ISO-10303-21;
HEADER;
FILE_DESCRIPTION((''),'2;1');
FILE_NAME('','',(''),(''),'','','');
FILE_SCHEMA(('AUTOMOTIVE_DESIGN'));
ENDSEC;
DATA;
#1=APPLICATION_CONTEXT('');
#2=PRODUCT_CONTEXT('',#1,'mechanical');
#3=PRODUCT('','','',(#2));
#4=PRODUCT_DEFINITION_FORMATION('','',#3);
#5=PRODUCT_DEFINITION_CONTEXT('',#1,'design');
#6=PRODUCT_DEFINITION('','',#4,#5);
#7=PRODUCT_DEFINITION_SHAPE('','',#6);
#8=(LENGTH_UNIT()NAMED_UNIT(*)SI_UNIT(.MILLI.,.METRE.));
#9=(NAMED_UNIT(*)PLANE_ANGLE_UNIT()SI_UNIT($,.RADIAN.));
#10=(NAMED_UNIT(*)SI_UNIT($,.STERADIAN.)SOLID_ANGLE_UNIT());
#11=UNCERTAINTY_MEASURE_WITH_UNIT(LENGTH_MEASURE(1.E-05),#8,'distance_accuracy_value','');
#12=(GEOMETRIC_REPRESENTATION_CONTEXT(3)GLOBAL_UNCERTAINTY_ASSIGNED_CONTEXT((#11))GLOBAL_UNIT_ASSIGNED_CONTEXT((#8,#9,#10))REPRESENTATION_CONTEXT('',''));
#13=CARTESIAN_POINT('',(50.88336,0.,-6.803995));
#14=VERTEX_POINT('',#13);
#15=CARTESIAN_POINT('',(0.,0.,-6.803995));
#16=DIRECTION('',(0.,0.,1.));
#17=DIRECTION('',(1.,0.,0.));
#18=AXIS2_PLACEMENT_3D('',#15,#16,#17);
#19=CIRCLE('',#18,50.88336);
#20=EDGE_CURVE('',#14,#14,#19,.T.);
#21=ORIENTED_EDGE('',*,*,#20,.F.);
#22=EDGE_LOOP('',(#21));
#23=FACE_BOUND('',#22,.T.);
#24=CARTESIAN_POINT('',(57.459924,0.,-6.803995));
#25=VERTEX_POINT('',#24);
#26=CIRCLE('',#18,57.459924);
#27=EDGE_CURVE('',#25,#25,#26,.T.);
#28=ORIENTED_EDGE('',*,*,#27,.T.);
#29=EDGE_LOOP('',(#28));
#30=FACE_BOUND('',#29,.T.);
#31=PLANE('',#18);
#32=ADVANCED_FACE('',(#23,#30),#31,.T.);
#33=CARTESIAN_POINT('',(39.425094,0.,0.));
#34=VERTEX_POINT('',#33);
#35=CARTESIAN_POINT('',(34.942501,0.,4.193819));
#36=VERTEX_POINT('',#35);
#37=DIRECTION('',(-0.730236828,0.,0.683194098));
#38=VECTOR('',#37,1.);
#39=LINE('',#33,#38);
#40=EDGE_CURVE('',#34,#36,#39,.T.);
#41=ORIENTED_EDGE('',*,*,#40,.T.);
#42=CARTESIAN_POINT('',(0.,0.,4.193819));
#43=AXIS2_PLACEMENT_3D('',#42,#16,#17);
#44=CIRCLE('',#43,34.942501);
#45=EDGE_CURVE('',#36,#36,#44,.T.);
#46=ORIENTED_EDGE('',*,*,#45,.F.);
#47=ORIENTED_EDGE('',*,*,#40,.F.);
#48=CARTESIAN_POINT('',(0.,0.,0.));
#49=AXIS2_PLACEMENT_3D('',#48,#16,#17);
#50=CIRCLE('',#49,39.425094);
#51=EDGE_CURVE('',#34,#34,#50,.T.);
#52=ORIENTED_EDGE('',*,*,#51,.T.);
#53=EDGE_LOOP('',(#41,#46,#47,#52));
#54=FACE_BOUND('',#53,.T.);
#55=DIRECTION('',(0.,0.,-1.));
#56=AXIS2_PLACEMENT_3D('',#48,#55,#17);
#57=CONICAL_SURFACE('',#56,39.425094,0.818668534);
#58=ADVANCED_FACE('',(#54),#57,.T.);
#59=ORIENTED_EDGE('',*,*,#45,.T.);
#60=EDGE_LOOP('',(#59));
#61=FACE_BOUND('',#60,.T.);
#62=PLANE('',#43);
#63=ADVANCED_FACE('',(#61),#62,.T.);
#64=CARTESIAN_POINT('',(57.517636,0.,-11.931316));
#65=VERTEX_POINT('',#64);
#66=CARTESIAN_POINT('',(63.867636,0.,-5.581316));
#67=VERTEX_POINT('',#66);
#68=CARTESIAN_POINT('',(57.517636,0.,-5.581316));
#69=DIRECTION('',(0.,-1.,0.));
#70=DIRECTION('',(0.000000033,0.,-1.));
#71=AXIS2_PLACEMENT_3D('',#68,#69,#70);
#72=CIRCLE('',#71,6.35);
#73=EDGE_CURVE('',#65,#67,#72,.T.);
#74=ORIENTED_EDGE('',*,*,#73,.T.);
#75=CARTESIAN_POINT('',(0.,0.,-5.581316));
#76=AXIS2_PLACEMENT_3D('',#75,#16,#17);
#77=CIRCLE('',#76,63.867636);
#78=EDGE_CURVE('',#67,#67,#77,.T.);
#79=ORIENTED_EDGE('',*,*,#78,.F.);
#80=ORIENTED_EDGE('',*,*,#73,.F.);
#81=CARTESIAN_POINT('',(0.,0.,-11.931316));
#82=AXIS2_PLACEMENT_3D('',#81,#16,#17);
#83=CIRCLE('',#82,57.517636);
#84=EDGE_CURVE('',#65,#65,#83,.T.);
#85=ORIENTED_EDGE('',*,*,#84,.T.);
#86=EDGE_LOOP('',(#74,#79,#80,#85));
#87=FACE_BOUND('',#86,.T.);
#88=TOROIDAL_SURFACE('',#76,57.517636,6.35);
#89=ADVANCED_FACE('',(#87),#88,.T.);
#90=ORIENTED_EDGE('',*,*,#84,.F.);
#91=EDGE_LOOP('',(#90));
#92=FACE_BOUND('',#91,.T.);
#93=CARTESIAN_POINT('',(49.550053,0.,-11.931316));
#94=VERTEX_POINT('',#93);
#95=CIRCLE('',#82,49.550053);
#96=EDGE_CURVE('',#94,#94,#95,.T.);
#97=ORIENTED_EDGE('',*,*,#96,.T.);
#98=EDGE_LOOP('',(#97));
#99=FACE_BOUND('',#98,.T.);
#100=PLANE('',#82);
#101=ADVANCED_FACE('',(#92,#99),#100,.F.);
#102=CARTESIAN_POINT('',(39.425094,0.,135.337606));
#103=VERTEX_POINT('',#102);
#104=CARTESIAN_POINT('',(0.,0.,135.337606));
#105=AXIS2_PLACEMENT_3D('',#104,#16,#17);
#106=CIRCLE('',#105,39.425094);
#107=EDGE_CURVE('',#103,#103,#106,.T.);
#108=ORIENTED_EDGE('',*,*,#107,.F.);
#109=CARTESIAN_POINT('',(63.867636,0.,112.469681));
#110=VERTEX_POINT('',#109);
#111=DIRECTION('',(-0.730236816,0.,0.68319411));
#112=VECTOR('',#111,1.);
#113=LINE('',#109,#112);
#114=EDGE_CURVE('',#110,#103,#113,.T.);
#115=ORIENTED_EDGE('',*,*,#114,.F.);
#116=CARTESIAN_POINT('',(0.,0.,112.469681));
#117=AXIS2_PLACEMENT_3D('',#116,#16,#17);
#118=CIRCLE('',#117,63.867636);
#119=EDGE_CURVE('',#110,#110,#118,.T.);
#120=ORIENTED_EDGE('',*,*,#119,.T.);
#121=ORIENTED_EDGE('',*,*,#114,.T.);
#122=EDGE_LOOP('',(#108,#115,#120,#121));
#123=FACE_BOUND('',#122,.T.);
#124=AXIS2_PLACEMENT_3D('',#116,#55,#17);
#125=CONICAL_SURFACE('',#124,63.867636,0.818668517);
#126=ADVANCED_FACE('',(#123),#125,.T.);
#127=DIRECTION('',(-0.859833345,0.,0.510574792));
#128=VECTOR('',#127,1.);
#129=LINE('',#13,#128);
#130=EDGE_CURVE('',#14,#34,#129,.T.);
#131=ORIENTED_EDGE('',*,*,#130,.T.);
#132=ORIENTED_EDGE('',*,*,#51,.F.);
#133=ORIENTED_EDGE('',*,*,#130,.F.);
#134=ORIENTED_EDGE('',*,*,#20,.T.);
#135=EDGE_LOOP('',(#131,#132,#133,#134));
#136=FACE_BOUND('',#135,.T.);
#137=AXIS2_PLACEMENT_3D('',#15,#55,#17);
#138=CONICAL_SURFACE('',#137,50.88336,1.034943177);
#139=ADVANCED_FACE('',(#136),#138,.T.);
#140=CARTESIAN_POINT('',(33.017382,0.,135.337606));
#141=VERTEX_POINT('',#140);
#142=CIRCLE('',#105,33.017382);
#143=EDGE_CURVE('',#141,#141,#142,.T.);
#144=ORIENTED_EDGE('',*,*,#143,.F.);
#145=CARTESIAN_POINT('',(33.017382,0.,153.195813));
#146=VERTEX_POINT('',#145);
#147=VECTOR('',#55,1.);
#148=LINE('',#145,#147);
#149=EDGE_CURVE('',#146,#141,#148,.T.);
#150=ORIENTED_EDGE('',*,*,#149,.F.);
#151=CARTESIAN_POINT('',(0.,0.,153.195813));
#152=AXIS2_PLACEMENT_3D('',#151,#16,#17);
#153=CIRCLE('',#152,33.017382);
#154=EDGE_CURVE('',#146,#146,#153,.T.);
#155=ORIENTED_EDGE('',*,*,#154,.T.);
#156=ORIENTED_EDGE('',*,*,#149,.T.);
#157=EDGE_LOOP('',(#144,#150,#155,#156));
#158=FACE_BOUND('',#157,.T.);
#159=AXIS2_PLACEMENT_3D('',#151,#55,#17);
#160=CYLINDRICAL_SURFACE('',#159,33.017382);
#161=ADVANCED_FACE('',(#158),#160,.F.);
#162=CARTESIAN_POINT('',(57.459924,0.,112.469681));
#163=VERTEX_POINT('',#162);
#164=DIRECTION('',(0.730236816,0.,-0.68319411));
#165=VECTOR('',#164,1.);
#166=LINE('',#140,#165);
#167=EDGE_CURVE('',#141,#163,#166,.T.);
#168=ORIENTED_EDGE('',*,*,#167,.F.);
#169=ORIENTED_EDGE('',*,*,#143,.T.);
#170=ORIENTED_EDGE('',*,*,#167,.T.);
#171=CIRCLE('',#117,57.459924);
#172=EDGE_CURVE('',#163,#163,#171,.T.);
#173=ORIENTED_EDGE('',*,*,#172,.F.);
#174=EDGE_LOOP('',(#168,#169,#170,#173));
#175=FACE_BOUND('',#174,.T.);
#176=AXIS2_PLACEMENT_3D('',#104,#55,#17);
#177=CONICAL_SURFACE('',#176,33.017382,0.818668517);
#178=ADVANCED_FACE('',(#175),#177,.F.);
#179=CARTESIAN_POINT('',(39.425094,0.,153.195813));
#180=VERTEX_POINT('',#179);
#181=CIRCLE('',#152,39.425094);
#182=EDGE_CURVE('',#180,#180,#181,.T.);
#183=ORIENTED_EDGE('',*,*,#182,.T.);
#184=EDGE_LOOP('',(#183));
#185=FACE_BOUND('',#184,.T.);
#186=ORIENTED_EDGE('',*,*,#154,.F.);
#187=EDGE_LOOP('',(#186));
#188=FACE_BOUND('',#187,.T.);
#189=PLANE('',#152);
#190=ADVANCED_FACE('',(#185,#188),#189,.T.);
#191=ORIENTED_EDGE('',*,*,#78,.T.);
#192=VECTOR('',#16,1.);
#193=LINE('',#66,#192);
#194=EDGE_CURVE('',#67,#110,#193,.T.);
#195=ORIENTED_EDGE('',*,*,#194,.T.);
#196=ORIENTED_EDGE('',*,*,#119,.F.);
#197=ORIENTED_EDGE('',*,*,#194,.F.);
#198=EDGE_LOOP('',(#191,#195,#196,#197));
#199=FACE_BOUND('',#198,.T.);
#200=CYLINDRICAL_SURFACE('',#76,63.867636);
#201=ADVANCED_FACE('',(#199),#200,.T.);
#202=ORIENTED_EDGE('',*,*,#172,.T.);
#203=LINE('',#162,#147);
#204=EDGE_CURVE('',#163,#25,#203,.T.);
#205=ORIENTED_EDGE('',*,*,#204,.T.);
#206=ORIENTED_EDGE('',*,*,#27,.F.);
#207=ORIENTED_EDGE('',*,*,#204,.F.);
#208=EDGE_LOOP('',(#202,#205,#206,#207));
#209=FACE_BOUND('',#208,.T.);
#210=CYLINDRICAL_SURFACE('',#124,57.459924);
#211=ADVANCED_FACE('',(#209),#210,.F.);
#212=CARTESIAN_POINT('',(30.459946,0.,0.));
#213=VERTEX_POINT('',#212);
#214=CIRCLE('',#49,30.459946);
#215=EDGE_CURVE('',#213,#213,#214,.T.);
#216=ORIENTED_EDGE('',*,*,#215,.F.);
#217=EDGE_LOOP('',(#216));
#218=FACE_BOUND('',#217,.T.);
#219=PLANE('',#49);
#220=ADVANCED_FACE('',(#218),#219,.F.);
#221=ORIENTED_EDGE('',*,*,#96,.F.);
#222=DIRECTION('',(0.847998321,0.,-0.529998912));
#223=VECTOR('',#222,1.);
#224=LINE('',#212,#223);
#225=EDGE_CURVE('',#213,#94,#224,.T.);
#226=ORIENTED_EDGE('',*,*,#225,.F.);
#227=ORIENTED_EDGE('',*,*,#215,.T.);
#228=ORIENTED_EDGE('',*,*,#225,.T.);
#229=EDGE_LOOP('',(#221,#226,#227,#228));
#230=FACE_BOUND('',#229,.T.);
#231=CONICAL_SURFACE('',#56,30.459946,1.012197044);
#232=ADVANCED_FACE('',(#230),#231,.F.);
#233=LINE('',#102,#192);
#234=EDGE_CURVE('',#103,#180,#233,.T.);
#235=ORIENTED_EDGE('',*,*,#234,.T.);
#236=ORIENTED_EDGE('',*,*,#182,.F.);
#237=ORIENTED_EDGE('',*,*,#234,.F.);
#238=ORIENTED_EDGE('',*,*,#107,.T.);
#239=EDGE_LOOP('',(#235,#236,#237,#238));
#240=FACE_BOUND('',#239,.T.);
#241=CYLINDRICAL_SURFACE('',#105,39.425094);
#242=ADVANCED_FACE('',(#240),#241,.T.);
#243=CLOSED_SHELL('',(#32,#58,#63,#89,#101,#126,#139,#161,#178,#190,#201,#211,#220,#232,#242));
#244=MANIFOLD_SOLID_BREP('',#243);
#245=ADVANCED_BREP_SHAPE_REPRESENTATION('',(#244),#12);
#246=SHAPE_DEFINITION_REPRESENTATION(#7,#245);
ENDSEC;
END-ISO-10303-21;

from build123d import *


with BuildPart() as f1:
    # F0 (on Front) → F1 (revolve)
    with BuildSketch(Plane.XZ):
        with BuildLine():
            Line((0, 4.193819), (0, 0))
            Line((0, 0), (30.459946, 0))
            Line((30.459946, 0), (49.550053, -11.931316))
            Line((49.550053, -11.931316), (57.517636, -11.931316))
            ThreePointArc((57.517636, -11.931316), (62.007764, -10.071444), (63.867636, -5.581316))
            Line((63.867636, -5.581316), (63.867636, 73.131949))
            Line((63.867636, 73.131949), (63.867636, 112.469681))
            Line((63.867636, 112.469681), (39.425094, 135.337606))
            Line((39.425094, 135.337606), (39.425094, 153.195813))
            Line((39.425094, 153.195813), (33.017382, 153.195813))
            Line((33.017382, 153.195813), (33.017382, 135.337606))
            Line((33.017382, 135.337606), (57.459924, 112.469681))
            Line((57.459924, 112.469681), (57.459924, -6.803995))
            Line((57.459924, -6.803995), (50.88336, -6.803995))
            Line((50.88336, -6.803995), (39.425094, 0))
            Line((39.425094, 0), (34.942501, 4.193819))
            Line((34.942501, 4.193819), (6.416916, 4.193819))
            Line((6.416916, 4.193819), (0, 4.193819))
        make_face()
    revolve(axis=Axis((0, 0, 36.565974), (0, 0, 1)))


solid = f1.part
